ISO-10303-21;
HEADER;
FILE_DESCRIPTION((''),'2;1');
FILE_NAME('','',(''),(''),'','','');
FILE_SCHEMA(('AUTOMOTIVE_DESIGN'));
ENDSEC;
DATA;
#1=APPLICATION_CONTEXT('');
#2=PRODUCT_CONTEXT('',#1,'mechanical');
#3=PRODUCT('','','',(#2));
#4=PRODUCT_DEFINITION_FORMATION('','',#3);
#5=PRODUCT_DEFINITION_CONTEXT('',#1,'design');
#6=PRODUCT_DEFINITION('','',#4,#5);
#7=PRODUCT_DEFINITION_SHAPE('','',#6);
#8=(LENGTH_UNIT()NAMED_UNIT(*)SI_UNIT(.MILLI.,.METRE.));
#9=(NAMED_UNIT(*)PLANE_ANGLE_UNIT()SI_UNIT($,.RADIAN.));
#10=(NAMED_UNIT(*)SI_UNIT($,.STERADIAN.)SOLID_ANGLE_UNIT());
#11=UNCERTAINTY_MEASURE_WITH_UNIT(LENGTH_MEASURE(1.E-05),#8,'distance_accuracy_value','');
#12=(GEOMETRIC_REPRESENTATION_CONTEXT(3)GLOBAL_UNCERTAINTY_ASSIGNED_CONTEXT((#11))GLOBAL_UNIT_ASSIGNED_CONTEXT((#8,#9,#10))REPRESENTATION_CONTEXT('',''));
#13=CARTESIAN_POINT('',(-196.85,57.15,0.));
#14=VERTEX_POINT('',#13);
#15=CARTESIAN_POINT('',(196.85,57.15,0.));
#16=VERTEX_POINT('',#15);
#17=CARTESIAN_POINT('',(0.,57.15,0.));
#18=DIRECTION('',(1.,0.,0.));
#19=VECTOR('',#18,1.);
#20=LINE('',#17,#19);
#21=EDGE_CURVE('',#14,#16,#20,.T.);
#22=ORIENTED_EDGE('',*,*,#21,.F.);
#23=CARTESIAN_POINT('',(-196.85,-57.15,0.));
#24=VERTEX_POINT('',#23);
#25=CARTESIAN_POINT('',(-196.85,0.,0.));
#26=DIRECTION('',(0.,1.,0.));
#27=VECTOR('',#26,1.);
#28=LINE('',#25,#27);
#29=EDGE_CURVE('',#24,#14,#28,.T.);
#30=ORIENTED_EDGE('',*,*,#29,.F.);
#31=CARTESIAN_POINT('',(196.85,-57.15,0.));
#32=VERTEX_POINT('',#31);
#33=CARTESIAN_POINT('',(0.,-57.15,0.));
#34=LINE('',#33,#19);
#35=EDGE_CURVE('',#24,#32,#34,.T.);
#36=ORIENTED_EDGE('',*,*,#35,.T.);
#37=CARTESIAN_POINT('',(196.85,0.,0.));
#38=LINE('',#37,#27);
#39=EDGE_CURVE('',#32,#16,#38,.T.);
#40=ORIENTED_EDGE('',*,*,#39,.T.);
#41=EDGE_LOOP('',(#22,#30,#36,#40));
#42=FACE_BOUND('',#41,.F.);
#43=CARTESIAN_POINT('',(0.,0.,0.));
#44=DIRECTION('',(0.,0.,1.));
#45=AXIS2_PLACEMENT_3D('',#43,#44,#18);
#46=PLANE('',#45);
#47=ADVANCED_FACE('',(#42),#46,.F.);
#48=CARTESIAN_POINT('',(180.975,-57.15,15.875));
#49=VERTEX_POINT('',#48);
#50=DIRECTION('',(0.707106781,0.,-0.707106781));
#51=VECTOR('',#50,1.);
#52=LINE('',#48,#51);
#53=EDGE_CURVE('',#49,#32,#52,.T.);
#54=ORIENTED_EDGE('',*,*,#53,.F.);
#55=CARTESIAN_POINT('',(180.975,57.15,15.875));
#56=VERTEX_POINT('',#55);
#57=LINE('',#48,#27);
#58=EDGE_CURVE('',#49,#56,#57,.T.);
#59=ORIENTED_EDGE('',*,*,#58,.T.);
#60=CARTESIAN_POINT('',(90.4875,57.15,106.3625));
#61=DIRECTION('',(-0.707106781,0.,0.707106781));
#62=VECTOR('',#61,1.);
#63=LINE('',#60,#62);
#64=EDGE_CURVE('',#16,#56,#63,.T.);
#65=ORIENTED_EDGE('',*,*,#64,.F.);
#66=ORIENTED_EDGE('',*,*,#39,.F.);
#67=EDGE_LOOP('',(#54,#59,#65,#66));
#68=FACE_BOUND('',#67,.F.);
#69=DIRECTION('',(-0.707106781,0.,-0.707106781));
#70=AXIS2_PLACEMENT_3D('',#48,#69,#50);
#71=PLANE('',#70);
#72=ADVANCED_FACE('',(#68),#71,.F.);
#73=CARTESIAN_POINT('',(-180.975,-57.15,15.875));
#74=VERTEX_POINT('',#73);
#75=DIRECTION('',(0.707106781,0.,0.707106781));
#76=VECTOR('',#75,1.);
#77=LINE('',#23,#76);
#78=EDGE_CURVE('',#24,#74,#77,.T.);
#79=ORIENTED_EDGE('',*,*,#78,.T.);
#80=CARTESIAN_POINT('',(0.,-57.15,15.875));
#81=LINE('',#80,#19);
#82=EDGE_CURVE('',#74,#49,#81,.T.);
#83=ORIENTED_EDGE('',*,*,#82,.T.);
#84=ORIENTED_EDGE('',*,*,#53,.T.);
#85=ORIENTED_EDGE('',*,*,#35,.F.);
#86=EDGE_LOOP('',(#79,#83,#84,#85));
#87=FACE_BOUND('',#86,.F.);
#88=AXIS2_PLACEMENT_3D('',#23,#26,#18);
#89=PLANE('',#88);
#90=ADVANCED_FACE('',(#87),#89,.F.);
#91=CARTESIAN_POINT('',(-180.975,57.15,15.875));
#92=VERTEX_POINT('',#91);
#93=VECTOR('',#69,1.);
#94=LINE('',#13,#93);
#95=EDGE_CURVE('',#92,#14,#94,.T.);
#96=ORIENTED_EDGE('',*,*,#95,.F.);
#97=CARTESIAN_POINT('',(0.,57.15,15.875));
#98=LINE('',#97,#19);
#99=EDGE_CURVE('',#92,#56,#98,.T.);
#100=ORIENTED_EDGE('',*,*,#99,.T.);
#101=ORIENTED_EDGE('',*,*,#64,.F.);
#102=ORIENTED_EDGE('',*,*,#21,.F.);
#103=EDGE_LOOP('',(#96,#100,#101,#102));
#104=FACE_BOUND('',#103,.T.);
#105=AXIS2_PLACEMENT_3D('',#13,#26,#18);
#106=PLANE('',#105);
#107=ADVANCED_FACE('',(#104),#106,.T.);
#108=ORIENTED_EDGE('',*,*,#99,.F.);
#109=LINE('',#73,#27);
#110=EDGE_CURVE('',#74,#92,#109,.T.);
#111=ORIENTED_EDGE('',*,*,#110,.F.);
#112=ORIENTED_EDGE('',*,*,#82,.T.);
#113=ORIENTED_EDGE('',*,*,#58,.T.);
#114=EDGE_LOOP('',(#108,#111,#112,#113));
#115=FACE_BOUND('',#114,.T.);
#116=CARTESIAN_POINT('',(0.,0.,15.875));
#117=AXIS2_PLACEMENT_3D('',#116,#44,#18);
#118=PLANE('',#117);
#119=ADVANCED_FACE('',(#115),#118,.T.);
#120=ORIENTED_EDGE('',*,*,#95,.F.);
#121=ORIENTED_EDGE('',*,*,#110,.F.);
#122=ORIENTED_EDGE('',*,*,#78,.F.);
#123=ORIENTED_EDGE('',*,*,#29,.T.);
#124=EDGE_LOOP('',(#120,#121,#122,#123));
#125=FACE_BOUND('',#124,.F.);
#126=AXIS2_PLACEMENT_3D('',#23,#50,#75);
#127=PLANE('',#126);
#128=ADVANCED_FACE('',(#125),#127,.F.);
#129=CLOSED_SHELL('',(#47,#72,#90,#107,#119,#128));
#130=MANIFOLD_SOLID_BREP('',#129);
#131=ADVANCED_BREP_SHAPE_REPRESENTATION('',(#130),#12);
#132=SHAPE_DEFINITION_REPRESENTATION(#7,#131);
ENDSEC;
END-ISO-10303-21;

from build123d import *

# Parameters (mm, degrees)
F0_W     = 393.7
F0_H     = 114.3
F1_DEPTH = 15.875
F3_DEPTH = 114.301


with BuildPart() as f1:
    # F0 (on Top) → F1 (new body)
    with BuildSketch(Plane.XY):
        Rectangle(F0_W, F0_H)
    extrude(amount=F1_DEPTH)

    # F2 (on face) → F3 (cut, through all)
    with BuildSketch(Plane.XZ.offset(57.15)):
        Polygon((-226.020381, 0), (-196.85, 0), (-180.975, 15.875), (-180.975, 49.047567), (-226.020381, 49.047567), align=None)
        Polygon((226.020381, 49.047567), (180.975, 49.047567), (180.975, 15.875), (196.85, 0), (226.020381, 0), align=None)
    extrude(amount=-F3_DEPTH, mode=Mode.SUBTRACT)


solid = f1.part
